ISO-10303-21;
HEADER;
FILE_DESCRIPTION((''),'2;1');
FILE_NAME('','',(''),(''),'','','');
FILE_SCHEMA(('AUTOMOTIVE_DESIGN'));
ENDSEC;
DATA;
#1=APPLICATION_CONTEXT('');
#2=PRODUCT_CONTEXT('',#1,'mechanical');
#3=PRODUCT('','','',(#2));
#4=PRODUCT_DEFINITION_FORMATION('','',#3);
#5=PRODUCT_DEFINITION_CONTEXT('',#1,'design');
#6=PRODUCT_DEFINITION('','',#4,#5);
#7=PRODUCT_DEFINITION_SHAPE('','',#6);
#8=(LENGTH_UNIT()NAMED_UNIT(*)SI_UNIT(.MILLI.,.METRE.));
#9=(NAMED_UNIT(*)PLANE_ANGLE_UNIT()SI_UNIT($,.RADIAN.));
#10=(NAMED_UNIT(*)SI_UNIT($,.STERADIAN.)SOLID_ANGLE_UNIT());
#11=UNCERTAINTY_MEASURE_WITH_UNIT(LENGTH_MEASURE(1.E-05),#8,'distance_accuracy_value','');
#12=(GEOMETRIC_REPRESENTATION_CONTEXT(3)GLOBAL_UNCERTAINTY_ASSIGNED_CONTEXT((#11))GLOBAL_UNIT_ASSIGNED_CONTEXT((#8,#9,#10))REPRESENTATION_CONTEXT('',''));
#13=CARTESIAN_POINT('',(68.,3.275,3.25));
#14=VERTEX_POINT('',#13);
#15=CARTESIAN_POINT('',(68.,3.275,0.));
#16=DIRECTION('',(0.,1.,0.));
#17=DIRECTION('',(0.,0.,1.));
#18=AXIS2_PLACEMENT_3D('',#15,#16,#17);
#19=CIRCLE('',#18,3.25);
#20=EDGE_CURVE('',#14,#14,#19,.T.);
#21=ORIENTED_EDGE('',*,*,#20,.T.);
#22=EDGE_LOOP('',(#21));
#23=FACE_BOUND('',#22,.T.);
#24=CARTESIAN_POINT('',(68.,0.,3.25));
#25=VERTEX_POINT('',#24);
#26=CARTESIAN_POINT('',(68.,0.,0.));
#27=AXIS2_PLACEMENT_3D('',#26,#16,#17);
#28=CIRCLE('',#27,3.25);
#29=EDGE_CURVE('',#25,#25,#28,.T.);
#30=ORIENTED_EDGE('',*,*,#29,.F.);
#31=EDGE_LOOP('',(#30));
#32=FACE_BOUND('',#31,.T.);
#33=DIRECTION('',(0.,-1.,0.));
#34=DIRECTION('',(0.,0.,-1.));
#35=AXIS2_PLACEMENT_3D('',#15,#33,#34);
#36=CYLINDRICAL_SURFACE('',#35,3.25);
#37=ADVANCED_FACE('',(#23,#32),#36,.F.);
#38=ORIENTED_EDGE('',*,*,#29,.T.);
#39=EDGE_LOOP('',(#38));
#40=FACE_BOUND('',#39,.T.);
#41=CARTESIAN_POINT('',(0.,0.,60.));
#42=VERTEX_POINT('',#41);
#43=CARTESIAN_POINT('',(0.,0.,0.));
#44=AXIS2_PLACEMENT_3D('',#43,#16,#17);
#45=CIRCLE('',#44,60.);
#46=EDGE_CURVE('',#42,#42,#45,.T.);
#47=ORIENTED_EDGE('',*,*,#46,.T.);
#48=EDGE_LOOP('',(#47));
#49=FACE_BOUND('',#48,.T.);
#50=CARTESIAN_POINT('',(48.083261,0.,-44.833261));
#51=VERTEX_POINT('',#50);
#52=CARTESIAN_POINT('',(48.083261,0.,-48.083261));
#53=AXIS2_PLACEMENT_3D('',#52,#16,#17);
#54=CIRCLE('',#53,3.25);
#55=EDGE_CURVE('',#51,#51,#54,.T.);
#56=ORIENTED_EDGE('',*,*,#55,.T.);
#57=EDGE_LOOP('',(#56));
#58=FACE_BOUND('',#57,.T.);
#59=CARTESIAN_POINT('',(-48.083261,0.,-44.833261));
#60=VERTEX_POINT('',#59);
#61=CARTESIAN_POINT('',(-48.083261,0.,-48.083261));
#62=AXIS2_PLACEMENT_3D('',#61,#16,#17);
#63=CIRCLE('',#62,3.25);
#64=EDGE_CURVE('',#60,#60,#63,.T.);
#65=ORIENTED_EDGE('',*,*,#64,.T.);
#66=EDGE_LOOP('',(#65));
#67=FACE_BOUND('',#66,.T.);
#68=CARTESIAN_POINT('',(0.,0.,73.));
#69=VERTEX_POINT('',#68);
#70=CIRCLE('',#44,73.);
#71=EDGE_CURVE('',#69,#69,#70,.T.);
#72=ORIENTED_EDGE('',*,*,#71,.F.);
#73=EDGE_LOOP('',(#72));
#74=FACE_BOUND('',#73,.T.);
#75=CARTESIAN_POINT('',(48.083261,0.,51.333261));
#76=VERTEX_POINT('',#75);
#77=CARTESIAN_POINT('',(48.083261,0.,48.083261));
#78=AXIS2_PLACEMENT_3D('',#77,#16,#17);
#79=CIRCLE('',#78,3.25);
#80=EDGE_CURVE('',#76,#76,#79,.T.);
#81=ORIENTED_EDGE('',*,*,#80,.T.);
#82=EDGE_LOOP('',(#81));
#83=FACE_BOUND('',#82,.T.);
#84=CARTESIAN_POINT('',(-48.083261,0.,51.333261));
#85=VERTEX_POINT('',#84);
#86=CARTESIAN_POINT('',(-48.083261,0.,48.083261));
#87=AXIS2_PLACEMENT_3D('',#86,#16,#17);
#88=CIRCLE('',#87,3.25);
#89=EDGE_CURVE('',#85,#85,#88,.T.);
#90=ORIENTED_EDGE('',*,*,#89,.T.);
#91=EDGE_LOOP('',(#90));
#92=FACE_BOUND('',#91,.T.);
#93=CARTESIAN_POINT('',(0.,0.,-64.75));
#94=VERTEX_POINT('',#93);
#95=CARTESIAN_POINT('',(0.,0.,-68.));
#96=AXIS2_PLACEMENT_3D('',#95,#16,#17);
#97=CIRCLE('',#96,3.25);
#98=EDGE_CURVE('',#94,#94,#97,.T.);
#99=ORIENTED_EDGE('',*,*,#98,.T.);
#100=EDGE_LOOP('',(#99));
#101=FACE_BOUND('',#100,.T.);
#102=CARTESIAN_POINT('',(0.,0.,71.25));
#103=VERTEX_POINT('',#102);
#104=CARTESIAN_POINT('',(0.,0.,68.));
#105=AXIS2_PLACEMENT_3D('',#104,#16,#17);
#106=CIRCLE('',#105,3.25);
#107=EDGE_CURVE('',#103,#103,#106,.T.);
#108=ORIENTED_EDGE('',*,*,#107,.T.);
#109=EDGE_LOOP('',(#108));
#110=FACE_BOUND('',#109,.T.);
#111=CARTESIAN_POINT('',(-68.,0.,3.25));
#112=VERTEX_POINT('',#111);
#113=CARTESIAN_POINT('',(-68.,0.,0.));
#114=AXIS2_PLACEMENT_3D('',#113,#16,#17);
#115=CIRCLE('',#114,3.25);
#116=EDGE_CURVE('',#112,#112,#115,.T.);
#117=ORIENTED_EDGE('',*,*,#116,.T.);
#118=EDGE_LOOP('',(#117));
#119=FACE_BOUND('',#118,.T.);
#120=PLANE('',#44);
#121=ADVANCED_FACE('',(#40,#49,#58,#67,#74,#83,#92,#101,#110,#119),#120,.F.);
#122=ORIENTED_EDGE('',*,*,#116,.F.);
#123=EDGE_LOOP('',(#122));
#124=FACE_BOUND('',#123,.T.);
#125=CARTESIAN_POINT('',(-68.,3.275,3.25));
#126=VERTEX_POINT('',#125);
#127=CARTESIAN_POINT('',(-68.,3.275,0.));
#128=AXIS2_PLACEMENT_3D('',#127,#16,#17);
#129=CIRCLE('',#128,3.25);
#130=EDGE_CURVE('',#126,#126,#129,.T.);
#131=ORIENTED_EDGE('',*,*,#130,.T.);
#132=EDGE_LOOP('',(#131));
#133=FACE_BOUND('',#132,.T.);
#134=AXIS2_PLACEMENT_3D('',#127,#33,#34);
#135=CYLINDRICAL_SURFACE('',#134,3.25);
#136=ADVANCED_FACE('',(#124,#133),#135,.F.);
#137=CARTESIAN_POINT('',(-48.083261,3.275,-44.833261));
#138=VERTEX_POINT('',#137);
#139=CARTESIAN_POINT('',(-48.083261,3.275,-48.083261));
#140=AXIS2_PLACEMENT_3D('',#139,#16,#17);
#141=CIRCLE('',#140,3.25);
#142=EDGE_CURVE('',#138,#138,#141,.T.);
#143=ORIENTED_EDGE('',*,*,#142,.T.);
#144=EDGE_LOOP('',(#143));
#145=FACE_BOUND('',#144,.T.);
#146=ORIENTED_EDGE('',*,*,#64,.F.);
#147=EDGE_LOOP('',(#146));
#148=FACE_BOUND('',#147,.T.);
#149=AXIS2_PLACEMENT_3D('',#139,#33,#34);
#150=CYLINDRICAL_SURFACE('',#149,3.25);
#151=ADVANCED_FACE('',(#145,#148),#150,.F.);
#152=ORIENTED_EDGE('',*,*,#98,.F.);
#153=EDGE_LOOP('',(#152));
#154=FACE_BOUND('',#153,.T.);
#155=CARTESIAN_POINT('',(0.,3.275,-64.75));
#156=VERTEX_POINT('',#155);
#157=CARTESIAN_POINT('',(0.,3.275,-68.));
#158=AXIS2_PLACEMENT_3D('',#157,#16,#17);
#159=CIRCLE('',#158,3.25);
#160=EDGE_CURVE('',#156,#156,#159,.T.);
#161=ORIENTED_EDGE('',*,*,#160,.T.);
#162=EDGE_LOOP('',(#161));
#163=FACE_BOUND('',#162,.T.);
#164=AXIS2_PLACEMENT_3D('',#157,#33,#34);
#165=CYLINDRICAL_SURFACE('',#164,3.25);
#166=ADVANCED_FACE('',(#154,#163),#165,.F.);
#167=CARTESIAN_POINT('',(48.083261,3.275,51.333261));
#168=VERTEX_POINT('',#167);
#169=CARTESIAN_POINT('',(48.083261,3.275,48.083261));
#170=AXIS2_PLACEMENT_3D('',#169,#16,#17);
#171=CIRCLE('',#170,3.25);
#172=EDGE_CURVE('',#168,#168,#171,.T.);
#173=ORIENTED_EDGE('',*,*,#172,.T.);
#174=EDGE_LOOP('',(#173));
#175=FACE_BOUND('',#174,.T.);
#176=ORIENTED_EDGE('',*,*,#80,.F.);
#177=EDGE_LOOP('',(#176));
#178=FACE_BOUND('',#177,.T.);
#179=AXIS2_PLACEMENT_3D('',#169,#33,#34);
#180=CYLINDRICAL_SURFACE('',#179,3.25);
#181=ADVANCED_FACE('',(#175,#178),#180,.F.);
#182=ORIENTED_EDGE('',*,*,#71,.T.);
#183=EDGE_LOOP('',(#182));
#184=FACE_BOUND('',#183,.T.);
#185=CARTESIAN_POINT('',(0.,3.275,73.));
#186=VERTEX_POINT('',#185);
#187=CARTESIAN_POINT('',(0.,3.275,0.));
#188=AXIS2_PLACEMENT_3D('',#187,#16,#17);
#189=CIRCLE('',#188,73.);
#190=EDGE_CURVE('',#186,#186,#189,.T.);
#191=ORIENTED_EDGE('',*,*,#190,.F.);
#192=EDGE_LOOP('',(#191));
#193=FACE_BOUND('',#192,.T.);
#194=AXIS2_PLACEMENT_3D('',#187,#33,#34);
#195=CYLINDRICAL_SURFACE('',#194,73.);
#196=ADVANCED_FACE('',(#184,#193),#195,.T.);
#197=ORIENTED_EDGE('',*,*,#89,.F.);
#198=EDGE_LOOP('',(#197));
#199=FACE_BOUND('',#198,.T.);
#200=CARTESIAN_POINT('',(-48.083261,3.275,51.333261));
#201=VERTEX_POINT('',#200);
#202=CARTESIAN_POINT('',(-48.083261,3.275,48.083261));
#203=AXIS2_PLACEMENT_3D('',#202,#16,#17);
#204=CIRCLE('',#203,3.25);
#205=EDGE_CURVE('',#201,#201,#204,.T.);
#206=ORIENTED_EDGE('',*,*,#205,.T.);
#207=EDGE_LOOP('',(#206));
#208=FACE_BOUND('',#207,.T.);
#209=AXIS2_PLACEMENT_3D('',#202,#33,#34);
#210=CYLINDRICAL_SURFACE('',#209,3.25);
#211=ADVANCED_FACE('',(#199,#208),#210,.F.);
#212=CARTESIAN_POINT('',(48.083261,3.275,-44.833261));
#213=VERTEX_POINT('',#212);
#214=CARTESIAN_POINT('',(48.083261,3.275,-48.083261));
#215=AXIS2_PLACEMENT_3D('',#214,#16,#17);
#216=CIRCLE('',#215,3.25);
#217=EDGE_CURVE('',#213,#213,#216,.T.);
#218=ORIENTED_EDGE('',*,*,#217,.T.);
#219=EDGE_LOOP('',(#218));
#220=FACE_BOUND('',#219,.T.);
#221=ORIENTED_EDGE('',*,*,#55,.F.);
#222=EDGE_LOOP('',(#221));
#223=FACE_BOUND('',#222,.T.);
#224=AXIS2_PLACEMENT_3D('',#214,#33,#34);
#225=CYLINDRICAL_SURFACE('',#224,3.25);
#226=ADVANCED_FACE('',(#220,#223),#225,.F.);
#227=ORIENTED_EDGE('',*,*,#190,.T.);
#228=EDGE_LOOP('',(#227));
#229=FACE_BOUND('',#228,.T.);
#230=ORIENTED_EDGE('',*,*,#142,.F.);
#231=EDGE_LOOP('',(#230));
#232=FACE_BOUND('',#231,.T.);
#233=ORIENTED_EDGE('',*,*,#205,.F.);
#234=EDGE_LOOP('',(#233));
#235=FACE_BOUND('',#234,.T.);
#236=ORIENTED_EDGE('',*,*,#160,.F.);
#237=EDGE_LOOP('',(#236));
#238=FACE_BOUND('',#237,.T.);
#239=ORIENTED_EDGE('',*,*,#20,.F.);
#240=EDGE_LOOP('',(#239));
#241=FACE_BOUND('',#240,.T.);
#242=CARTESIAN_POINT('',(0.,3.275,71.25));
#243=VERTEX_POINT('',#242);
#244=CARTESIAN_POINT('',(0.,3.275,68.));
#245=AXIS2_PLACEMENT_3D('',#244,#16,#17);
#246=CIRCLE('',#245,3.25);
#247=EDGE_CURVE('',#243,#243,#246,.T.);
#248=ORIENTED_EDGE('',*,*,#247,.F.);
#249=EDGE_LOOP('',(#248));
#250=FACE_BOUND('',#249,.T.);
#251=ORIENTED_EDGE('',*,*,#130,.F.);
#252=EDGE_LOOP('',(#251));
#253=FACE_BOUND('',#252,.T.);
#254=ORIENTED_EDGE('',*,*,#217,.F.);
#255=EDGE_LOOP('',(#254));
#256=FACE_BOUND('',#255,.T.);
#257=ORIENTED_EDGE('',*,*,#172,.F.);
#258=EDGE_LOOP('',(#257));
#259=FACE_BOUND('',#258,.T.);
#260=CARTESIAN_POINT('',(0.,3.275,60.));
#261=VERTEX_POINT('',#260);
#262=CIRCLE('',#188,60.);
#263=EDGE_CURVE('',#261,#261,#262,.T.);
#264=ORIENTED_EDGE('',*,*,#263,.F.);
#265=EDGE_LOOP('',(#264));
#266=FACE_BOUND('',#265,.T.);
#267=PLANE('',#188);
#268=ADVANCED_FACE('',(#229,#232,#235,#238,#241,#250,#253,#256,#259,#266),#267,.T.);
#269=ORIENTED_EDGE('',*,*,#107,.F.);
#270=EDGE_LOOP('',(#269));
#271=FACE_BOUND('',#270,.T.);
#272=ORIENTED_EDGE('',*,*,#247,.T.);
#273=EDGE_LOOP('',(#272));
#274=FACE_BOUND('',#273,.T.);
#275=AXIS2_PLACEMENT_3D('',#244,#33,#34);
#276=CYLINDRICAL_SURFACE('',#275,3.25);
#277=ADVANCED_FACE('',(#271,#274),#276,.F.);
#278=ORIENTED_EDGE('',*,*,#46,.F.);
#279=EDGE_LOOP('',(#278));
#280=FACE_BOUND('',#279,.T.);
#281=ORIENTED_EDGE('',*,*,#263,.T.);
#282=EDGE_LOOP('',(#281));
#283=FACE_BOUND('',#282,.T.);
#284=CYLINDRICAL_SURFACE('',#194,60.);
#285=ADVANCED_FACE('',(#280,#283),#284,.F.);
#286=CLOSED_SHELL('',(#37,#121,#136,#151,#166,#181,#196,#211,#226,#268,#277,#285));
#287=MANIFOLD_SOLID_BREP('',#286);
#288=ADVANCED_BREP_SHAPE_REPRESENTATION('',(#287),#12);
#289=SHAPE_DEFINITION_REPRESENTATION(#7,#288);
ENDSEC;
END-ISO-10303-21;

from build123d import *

# Parameters (mm, degrees)
SKETCH1_R           = 73
SKETCH1_R_2         = 60
SKETCH1_R_3         = 3.25
BOSS_EXTRUDE1_DEPTH = 3.275


with BuildPart() as part:
    # Sketch1 → Boss-Extrude1 (new body)
    with BuildSketch(Plane(origin=(0, 0, 0), x_dir=(1, 0, 0), z_dir=(0, 1, 0))):
        Circle(SKETCH1_R)
        Circle(SKETCH1_R_2, mode=Mode.SUBTRACT)
        with Locations((-48.083261121, 48.083261121)):
            Circle(SKETCH1_R_3, mode=Mode.SUBTRACT)
        with Locations((-68, 0)):
            Circle(SKETCH1_R_3, mode=Mode.SUBTRACT)
        with Locations((0, 68)):
            Circle(SKETCH1_R_3, mode=Mode.SUBTRACT)
        with Locations((48.083261121, 48.083261121)):
            Circle(SKETCH1_R_3, mode=Mode.SUBTRACT)
        with Locations((68, 0)):
            Circle(SKETCH1_R_3, mode=Mode.SUBTRACT)
        with Locations((48.083261121, -48.083261121)):
            Circle(SKETCH1_R_3, mode=Mode.SUBTRACT)
        with Locations((0, -68)):
            Circle(SKETCH1_R_3, mode=Mode.SUBTRACT)
        with Locations((-48.083261121, -48.083261121)):
            Circle(SKETCH1_R_3, mode=Mode.SUBTRACT)
    extrude(amount=BOSS_EXTRUDE1_DEPTH)


solid = part.part
